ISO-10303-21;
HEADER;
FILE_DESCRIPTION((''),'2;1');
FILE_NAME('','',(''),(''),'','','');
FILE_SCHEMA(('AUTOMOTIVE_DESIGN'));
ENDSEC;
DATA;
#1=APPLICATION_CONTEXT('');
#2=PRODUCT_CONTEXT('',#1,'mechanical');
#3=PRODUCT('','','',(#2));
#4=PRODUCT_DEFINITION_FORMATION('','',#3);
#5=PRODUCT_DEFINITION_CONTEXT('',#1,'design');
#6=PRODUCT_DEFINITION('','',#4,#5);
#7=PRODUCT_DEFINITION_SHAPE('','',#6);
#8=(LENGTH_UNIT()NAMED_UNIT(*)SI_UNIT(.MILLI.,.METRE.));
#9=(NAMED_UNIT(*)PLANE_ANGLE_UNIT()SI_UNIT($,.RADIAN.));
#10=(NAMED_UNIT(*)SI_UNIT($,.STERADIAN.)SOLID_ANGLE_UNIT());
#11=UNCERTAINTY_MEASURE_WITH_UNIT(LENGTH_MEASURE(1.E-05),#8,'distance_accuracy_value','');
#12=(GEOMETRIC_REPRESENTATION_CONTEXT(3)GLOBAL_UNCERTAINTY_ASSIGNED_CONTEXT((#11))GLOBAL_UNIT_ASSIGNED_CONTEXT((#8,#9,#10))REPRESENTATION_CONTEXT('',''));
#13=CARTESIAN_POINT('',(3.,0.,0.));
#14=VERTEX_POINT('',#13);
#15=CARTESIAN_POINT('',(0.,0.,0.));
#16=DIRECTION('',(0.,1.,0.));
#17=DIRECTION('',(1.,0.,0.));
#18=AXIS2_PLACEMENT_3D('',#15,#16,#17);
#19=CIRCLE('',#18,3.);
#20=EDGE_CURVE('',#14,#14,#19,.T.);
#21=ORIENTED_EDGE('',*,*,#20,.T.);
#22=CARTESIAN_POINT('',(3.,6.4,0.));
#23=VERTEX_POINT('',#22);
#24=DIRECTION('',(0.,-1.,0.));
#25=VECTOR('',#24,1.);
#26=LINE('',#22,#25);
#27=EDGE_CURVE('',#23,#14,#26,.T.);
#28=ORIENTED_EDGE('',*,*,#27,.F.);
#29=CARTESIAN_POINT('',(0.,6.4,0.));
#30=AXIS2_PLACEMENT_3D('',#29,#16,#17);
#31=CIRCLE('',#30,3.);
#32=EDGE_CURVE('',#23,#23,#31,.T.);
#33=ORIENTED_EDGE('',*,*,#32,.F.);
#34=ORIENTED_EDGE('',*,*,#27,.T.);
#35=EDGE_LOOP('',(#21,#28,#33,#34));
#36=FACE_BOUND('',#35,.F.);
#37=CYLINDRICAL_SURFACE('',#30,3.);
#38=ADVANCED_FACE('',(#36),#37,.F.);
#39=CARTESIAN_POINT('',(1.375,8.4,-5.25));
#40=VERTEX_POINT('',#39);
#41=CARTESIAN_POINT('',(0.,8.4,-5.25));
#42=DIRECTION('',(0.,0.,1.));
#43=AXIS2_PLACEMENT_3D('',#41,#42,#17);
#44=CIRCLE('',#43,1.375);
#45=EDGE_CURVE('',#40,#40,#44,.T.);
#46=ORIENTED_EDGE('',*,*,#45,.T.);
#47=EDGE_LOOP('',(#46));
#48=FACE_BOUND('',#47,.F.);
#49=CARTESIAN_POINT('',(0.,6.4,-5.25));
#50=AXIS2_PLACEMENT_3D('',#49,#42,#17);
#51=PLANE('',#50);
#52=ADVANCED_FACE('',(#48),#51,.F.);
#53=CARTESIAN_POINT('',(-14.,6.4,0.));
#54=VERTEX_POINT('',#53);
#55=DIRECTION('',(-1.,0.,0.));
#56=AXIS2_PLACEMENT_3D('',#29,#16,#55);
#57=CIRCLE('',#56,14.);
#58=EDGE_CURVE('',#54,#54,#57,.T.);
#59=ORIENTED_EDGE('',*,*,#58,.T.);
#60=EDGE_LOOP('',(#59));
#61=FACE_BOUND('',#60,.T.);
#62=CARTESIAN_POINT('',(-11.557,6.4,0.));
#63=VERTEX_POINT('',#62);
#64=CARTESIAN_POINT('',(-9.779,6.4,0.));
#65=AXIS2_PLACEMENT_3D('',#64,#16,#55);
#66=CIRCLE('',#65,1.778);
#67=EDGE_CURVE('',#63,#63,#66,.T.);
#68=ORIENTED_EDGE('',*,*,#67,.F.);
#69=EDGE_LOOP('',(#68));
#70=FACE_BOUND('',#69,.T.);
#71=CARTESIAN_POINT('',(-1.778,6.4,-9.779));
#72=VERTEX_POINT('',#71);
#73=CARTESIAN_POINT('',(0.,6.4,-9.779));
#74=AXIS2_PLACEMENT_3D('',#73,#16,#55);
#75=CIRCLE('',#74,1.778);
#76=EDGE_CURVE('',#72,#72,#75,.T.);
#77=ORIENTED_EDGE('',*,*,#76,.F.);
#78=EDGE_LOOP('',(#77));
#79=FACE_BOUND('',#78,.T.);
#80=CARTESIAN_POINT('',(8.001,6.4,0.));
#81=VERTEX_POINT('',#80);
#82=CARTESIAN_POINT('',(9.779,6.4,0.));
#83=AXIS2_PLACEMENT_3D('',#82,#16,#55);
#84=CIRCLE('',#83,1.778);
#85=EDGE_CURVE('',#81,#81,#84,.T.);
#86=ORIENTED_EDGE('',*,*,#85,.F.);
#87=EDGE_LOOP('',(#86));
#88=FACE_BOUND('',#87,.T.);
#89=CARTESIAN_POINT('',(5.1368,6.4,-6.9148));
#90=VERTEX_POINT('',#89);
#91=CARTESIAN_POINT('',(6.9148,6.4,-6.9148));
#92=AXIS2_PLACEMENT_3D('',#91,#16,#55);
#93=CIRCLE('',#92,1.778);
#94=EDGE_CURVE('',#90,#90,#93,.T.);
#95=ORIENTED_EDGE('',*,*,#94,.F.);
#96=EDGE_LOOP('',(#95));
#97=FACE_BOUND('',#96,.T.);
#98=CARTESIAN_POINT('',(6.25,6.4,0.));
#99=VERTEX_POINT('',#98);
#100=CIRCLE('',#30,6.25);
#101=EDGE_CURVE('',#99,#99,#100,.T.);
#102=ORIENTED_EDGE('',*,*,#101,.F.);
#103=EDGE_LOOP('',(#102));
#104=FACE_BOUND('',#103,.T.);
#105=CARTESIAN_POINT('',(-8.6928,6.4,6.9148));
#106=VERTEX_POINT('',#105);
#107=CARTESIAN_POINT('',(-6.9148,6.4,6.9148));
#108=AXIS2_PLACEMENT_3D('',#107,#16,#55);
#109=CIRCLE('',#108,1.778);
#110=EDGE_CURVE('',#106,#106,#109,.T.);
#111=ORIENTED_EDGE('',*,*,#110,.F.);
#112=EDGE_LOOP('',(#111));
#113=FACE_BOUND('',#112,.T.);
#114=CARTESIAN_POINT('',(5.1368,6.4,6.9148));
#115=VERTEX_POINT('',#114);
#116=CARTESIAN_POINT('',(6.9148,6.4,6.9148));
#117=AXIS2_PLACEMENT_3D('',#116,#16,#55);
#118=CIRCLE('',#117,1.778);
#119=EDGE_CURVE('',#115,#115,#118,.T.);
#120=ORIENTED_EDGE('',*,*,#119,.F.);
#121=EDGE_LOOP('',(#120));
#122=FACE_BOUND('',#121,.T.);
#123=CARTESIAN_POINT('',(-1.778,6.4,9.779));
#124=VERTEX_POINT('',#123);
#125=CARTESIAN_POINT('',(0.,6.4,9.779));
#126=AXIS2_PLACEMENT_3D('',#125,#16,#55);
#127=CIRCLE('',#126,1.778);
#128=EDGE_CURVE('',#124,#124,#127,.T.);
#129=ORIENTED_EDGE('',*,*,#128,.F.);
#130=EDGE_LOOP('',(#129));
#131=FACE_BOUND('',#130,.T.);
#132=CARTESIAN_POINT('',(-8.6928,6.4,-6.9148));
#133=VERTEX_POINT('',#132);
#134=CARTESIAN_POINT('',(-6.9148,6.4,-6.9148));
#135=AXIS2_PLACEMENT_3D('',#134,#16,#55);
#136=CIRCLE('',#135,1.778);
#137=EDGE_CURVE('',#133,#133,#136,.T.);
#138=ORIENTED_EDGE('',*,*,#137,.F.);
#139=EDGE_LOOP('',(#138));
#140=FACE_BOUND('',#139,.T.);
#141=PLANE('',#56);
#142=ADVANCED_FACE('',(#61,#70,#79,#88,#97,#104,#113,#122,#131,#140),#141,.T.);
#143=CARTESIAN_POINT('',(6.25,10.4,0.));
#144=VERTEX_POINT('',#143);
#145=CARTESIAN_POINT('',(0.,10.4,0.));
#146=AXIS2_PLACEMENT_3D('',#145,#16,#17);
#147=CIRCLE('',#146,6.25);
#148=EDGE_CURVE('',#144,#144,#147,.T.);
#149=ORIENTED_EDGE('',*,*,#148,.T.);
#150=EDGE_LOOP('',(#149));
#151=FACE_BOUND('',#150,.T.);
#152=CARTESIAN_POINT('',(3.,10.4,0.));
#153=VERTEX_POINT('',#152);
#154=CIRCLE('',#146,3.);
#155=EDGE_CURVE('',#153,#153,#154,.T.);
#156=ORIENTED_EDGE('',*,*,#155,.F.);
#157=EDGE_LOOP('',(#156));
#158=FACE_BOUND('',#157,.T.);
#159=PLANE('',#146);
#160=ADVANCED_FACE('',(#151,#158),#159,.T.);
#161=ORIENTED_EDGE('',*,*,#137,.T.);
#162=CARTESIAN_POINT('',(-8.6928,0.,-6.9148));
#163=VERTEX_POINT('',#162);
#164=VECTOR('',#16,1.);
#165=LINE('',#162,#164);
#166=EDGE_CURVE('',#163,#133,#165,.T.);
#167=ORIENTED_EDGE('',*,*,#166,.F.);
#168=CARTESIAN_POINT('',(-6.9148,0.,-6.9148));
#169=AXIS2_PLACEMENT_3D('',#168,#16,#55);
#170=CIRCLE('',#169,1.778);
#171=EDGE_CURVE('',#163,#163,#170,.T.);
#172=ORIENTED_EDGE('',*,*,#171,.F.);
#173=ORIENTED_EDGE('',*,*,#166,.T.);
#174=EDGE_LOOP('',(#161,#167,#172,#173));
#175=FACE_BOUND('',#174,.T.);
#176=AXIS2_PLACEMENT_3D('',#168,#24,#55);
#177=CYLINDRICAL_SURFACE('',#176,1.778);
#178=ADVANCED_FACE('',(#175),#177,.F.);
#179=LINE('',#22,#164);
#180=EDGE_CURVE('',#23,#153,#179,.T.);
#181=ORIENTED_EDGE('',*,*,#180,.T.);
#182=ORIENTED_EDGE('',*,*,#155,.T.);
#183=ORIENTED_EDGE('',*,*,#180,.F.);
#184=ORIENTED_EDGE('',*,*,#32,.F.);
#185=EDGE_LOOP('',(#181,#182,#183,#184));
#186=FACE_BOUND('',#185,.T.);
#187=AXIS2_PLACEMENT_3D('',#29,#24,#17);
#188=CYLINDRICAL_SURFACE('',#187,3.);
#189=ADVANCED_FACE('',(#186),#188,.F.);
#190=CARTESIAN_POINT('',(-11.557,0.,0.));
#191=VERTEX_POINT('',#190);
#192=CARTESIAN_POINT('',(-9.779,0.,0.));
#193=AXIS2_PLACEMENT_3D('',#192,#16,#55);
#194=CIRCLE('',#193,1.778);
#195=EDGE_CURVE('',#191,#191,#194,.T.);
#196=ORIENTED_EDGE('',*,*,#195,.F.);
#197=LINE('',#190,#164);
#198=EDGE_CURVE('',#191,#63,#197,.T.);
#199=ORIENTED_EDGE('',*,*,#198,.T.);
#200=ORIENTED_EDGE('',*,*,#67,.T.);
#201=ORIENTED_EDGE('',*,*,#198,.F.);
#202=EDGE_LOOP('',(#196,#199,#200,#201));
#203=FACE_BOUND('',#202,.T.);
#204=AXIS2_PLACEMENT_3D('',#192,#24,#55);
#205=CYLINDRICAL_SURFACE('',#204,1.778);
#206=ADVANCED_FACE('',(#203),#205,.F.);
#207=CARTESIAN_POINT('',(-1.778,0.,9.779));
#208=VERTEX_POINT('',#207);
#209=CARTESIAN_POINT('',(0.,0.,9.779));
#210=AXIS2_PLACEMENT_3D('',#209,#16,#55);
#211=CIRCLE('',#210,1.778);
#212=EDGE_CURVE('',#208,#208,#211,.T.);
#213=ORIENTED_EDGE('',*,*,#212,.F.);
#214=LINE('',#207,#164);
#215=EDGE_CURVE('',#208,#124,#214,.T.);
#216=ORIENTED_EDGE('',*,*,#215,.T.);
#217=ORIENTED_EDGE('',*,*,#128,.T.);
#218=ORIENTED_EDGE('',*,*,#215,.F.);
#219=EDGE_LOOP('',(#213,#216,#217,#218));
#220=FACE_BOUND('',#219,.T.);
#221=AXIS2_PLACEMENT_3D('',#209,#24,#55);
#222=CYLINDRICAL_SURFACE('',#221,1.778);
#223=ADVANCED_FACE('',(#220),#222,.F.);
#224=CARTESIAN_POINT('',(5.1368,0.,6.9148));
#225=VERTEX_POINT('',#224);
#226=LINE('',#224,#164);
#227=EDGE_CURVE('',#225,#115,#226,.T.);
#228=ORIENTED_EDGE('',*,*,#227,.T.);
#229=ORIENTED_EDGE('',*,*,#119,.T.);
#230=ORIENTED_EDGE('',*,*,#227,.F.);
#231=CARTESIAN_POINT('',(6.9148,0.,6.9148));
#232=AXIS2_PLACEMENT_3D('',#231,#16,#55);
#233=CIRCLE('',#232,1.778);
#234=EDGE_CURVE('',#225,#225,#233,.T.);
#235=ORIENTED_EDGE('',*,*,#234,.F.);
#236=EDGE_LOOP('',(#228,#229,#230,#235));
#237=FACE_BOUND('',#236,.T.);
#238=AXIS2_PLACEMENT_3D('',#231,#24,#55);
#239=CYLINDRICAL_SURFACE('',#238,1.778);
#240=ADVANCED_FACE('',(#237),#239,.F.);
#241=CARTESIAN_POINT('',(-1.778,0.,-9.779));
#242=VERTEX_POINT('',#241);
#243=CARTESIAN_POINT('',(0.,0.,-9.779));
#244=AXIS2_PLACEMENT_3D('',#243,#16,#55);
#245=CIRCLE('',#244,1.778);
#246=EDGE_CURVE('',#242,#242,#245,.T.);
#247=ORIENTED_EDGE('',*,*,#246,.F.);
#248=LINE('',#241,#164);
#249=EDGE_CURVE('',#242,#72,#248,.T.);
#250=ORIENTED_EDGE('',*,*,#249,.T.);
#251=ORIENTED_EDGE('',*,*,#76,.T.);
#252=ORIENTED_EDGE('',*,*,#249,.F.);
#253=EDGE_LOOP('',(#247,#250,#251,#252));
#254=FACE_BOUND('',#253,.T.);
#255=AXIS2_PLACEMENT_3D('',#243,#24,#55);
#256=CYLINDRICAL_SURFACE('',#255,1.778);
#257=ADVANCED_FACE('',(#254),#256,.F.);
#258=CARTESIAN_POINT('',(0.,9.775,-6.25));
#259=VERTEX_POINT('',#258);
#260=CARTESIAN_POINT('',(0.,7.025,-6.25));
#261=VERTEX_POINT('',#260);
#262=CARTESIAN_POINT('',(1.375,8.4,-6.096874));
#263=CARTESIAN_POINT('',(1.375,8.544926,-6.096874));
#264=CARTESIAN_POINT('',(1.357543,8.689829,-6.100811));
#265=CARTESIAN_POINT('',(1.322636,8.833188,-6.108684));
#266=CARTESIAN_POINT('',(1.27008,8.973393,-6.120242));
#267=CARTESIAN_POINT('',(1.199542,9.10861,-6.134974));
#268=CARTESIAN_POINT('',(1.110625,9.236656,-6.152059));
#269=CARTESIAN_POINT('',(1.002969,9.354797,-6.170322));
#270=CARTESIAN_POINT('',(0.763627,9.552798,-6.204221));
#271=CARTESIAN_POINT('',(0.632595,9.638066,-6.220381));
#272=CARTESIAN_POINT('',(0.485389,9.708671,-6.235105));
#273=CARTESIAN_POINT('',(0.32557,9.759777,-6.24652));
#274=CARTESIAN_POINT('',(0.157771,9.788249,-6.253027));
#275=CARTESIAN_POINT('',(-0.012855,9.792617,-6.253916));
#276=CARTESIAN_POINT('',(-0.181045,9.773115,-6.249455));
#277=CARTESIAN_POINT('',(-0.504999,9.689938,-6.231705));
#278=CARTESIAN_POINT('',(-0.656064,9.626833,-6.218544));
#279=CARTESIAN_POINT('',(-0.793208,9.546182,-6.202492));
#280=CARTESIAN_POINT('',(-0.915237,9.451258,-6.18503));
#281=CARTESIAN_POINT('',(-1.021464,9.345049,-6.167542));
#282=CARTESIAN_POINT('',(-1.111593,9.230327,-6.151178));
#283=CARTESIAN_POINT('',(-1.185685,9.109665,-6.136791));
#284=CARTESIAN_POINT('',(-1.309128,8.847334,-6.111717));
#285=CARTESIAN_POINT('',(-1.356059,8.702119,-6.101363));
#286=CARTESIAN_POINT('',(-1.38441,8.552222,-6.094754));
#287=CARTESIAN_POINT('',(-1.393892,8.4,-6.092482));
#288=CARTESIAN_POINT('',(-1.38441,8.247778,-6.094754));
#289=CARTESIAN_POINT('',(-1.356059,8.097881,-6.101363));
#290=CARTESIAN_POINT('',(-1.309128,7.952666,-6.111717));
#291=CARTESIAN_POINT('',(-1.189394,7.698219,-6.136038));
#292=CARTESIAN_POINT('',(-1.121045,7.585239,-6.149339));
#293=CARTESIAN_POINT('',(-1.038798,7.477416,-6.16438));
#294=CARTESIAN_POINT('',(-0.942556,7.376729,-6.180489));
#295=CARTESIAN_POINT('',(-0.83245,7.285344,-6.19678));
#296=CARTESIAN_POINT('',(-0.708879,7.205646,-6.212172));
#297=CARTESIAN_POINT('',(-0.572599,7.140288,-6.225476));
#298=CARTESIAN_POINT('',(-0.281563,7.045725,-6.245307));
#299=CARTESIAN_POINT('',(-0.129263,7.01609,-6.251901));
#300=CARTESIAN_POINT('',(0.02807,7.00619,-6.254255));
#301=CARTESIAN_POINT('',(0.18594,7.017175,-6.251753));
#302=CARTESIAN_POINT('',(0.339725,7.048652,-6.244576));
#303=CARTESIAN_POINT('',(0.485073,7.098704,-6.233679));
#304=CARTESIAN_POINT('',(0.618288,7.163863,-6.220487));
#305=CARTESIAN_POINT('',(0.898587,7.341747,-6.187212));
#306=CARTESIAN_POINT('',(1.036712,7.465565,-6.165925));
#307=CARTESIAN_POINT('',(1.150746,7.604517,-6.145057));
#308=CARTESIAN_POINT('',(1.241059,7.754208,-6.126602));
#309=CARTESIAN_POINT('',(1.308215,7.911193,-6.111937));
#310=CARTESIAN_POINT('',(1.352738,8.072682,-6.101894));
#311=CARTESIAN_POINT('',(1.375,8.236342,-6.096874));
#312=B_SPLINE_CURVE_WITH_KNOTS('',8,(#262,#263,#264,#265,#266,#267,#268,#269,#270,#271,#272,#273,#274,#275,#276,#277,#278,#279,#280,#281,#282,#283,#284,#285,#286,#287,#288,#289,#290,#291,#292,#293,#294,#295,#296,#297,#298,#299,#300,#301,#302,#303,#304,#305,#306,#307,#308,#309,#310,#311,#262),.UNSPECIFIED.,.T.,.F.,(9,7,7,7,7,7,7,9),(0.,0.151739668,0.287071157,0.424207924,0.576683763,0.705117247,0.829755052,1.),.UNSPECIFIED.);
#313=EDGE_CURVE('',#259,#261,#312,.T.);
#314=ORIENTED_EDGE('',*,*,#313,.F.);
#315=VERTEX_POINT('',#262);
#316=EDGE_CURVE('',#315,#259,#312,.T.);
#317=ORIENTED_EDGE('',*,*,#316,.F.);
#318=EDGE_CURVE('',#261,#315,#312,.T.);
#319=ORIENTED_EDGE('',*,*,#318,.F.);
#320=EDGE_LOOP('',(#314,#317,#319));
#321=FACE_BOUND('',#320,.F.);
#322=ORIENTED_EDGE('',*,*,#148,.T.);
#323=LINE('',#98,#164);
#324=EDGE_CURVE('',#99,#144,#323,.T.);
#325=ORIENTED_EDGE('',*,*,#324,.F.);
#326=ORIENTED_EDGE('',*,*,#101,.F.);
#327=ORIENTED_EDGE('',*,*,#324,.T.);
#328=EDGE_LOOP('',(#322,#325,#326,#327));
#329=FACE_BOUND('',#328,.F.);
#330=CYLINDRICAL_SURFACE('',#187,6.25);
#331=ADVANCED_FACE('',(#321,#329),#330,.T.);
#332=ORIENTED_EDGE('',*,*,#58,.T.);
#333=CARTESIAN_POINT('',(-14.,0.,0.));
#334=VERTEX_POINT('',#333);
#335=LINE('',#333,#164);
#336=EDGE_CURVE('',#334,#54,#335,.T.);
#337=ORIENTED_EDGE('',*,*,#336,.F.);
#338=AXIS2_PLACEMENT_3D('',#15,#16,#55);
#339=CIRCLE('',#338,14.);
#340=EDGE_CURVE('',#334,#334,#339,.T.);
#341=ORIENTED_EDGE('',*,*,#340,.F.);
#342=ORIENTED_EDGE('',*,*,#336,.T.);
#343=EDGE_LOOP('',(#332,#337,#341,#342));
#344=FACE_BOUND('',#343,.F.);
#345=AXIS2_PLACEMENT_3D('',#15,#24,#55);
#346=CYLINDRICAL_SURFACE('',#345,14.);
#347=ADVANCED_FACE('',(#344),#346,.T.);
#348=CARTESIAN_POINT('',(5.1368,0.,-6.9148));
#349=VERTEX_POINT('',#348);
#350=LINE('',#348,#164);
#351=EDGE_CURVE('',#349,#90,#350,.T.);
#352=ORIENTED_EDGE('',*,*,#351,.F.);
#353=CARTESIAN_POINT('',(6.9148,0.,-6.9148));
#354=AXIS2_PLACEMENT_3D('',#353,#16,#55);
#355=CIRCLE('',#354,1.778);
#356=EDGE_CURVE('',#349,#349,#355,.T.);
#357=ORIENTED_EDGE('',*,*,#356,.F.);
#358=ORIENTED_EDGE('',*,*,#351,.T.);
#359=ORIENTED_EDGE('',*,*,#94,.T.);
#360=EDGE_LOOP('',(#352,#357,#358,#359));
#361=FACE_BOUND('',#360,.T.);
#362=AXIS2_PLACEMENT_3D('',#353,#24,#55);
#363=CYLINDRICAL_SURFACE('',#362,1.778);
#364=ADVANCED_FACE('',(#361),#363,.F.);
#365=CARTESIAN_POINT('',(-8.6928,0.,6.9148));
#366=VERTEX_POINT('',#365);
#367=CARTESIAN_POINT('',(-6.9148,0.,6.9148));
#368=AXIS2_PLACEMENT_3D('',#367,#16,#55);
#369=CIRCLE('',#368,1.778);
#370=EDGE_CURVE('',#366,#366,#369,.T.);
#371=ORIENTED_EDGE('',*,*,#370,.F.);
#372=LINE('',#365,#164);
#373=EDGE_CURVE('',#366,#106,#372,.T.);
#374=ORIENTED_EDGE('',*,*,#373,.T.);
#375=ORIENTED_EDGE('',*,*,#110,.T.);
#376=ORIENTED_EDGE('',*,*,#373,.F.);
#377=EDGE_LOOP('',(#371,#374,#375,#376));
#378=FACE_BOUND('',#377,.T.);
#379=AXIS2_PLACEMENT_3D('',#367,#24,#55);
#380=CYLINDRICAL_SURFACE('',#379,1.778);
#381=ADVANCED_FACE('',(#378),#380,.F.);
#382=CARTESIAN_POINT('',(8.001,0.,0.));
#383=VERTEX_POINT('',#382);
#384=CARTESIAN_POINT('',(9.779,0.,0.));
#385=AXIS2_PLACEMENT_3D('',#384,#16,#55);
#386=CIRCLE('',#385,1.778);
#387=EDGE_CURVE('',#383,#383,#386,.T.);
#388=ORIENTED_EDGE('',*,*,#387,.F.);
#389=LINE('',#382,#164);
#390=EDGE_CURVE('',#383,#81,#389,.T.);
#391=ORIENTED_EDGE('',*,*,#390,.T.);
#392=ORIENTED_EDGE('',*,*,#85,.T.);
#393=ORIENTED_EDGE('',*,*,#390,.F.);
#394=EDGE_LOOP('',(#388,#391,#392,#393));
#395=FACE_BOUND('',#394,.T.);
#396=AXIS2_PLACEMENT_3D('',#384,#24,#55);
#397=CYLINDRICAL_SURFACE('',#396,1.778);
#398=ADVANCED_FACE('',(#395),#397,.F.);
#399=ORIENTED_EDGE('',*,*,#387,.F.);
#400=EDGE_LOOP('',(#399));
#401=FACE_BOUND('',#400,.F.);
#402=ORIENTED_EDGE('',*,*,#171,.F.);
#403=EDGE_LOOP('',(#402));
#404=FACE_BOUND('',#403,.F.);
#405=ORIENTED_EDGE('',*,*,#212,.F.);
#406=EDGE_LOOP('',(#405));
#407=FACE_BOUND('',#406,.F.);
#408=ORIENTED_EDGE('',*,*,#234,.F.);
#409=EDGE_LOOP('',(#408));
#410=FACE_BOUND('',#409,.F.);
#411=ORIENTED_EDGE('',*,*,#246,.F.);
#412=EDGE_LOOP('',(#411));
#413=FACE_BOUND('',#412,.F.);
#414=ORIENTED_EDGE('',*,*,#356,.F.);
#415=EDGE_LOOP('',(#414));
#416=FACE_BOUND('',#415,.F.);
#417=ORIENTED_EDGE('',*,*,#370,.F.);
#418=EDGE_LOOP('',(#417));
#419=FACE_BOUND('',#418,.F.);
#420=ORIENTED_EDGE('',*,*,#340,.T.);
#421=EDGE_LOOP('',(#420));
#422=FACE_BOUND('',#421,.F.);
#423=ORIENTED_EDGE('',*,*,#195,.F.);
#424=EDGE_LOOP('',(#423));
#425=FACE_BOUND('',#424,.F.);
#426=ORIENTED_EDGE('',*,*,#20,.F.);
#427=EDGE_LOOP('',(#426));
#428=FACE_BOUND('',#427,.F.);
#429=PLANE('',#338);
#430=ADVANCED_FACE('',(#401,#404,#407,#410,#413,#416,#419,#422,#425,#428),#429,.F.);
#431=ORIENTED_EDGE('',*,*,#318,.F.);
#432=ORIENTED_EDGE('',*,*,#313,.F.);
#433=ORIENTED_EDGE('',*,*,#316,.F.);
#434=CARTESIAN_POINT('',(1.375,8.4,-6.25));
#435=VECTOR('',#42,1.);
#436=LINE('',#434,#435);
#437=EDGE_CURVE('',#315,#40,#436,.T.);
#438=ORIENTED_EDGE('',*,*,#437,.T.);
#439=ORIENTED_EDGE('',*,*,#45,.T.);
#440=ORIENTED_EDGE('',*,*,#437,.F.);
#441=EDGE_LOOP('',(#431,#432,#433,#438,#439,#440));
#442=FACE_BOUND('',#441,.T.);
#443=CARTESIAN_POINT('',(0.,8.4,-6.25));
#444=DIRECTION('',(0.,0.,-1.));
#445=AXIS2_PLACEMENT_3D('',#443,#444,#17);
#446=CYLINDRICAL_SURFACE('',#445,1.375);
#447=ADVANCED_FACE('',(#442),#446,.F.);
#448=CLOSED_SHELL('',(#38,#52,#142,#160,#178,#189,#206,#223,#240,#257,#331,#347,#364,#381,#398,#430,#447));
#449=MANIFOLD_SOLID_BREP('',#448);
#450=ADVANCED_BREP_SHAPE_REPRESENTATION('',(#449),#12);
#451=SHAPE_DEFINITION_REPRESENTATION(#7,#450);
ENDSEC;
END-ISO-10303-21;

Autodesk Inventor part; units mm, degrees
ref_plane "YZ Plane" through (0, 0, 0) normal (1, 0, 0) x (0, 1, 0)
ref_plane "XZ Plane" through (0, 0, 0) normal (0, 1, 0) x (-1, 0, 0)
sketch "Sketch1" plane through (0, 0, 0) normal (0, 1, 0) x (-1, 0, 0)
  circle A0 centre (0, 0) radius 14
  line L0 (0, 0) -> (9.779, 0) construction
  circle A1 centre (9.779, 0) radius 1.778
  circle A2 centre (6.9148, 6.9148) radius 1.778
  circle A3 centre (0, 9.779) radius 1.778
  circle A4 centre (-6.9148, 6.9148) radius 1.778
  circle A5 centre (-9.779, 0) radius 1.778
  circle A6 centre (-6.9148, -6.9148) radius 1.778
  circle A7 centre (0, -9.779) radius 1.778
  circle A8 centre (6.9148, -6.9148) radius 1.778
  dimension "d0" = 28
  dimension "d1" = 9.779
  dimension "d2" = 3.556
  dimension "d5" = 360
extrude "Extrusion1" add sketch "Sketch1" along normal blind 6.4
sketch "Sketch2" plane through (0, 6.4, 0) normal (0, 1, 0) x (1, 0, 0)
  circle A0 centre (0, 0) radius 6.25
  circle A1 centre (0, 0) radius 3
  dimension "d9" = 12.5
  dimension "d10" = 6
extrude "Extrusion2" add sketch "Sketch2" along normal blind 4
ref_plane "Work Plane1" through (0, 6.4, -6.25) normal (0, 0, 1) x (1, 0, 0)
sketch "Sketch3" plane through (0, 6.4, -6.25) normal (0, 0, 1) x (1, 0, 0)
  line L0 (-3, 4) -> (3, 4) construction
  line L1 (0, 4) -> (0, 0) construction
  line L2 (-1.778, 0) -> (1.778, 0) construction
  circle A0 centre (0, 2) radius 1.375
  point P0 (0, -6.4)
  dimension "d13" = 2.75
extrude "Extrusion3" cut sketch "Sketch3" along normal blind 1
sketch "Sketch4" plane through (0, 6.4, 0) normal (0, 1, 0) x (1, 0, 0)
  circle A0 centre (0, 0) radius 3 projected
extrude "Extrusion4" cut sketch "Sketch4" against normal through all
properties part number "Main Motor to Sprocket Adapter"
